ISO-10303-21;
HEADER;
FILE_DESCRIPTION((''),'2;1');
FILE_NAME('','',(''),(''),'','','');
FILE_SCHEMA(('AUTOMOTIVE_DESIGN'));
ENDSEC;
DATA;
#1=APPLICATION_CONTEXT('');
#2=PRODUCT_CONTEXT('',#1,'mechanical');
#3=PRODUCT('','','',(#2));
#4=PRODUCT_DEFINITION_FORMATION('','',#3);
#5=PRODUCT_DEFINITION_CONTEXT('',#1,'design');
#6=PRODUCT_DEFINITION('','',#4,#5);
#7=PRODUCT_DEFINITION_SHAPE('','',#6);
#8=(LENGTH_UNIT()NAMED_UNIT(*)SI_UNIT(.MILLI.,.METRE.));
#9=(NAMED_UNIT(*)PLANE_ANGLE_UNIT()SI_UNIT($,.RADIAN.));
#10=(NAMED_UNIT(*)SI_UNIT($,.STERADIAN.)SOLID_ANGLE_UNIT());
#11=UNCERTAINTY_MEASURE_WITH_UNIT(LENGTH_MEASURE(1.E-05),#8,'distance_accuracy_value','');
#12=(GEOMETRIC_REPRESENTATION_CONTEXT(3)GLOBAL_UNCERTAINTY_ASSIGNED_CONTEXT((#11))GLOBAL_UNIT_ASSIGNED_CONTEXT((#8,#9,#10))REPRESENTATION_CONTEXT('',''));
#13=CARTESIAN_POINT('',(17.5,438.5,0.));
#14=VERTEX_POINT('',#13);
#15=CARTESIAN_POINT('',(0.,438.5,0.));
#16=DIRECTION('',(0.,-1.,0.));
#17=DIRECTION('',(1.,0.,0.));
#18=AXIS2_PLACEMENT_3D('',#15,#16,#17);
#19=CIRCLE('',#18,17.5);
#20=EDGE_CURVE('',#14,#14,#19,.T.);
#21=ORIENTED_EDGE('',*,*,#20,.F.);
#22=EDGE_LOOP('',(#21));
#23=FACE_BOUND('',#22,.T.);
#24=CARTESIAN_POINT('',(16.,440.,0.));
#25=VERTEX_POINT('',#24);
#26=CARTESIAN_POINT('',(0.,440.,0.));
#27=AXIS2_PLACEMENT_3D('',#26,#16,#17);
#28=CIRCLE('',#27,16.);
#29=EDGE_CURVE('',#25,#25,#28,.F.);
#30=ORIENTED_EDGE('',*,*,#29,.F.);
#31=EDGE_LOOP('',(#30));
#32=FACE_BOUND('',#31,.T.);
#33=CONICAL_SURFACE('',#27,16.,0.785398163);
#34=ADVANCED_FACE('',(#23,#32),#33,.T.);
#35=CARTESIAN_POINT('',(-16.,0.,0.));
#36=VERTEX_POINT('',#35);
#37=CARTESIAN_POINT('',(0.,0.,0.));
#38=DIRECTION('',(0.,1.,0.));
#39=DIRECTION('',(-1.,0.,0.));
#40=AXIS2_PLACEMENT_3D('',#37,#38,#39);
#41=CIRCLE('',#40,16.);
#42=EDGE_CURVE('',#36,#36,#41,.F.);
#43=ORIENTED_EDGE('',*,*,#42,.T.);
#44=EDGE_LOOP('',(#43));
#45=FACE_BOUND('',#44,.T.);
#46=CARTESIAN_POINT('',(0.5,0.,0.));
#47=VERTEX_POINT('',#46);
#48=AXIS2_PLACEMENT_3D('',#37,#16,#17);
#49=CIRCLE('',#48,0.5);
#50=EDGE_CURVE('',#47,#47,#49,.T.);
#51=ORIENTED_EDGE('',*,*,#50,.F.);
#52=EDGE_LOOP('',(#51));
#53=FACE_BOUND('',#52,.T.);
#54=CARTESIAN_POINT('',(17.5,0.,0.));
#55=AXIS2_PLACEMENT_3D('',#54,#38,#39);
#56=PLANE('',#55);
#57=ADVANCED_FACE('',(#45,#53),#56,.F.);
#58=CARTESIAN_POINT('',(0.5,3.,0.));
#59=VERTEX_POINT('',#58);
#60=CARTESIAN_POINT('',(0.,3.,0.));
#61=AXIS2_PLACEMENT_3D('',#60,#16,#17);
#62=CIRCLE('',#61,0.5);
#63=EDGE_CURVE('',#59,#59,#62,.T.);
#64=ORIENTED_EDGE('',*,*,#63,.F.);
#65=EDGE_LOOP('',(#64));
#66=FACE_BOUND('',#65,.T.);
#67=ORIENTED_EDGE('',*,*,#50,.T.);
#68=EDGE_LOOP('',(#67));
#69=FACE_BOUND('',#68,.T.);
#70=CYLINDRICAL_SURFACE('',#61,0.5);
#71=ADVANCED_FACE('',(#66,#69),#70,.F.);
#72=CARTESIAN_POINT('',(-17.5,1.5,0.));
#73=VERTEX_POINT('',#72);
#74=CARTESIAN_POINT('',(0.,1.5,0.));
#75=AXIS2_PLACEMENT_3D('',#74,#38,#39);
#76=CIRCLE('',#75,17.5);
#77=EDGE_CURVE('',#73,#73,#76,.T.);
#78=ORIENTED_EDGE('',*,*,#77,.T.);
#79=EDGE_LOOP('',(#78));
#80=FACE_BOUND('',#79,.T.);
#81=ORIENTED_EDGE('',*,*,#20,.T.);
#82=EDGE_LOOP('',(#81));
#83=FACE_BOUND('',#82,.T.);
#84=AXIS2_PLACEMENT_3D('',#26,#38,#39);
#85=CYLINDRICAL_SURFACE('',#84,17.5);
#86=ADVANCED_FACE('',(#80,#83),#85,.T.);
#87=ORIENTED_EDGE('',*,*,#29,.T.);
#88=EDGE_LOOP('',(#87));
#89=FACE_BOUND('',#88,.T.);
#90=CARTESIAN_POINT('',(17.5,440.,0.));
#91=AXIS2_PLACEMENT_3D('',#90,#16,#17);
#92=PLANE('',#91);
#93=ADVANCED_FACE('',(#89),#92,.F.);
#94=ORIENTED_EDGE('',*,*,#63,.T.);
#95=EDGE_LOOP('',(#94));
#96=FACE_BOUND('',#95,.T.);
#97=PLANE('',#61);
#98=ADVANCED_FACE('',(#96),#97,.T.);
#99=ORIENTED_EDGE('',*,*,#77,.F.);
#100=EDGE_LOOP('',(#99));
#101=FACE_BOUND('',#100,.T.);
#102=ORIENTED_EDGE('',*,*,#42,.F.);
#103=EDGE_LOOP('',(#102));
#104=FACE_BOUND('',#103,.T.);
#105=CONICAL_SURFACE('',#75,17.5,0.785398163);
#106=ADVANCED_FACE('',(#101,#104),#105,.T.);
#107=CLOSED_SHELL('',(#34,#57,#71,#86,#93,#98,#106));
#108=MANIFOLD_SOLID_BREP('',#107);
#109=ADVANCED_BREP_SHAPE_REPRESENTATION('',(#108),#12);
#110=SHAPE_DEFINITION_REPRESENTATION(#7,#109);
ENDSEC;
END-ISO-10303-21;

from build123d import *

# Parameters (mm, degrees)
SKETCH2_W          = 17.5
SKETCH2_H          = 440
CHAMFER1_SIZE      = 1.5
SKETCH3_R          = 0.5
CUT_EXTRUDE1_DEPTH = 3


with BuildPart() as part:
    # Sketch2 → Revolve1 (revolve)
    with BuildSketch(Plane.XY, mode=Mode.PRIVATE) as revolve1_sk:
        with Locations((8.75, 220)):
            Rectangle(SKETCH2_W, SKETCH2_H)
    revolve(revolve1_sk.sketch.rotate(Axis((0, 440, 0), (0, -1, 0)), 180), axis=Axis((0, 440, 0), (0, -1, 0)))

    # Chamfer1
    chamfer1_edges = [part.edges().sort_by_distance(p)[0] for p in [
        (17.5, 0, 0),
        (17.5, 440, 0),
    ]]
    chamfer(chamfer1_edges, length=CHAMFER1_SIZE)

    # Sketch3 → Cut-Extrude1 (cut)
    with BuildSketch(Plane.XZ):
        Circle(SKETCH3_R)
    extrude(amount=-CUT_EXTRUDE1_DEPTH, mode=Mode.SUBTRACT)


solid = part.part
